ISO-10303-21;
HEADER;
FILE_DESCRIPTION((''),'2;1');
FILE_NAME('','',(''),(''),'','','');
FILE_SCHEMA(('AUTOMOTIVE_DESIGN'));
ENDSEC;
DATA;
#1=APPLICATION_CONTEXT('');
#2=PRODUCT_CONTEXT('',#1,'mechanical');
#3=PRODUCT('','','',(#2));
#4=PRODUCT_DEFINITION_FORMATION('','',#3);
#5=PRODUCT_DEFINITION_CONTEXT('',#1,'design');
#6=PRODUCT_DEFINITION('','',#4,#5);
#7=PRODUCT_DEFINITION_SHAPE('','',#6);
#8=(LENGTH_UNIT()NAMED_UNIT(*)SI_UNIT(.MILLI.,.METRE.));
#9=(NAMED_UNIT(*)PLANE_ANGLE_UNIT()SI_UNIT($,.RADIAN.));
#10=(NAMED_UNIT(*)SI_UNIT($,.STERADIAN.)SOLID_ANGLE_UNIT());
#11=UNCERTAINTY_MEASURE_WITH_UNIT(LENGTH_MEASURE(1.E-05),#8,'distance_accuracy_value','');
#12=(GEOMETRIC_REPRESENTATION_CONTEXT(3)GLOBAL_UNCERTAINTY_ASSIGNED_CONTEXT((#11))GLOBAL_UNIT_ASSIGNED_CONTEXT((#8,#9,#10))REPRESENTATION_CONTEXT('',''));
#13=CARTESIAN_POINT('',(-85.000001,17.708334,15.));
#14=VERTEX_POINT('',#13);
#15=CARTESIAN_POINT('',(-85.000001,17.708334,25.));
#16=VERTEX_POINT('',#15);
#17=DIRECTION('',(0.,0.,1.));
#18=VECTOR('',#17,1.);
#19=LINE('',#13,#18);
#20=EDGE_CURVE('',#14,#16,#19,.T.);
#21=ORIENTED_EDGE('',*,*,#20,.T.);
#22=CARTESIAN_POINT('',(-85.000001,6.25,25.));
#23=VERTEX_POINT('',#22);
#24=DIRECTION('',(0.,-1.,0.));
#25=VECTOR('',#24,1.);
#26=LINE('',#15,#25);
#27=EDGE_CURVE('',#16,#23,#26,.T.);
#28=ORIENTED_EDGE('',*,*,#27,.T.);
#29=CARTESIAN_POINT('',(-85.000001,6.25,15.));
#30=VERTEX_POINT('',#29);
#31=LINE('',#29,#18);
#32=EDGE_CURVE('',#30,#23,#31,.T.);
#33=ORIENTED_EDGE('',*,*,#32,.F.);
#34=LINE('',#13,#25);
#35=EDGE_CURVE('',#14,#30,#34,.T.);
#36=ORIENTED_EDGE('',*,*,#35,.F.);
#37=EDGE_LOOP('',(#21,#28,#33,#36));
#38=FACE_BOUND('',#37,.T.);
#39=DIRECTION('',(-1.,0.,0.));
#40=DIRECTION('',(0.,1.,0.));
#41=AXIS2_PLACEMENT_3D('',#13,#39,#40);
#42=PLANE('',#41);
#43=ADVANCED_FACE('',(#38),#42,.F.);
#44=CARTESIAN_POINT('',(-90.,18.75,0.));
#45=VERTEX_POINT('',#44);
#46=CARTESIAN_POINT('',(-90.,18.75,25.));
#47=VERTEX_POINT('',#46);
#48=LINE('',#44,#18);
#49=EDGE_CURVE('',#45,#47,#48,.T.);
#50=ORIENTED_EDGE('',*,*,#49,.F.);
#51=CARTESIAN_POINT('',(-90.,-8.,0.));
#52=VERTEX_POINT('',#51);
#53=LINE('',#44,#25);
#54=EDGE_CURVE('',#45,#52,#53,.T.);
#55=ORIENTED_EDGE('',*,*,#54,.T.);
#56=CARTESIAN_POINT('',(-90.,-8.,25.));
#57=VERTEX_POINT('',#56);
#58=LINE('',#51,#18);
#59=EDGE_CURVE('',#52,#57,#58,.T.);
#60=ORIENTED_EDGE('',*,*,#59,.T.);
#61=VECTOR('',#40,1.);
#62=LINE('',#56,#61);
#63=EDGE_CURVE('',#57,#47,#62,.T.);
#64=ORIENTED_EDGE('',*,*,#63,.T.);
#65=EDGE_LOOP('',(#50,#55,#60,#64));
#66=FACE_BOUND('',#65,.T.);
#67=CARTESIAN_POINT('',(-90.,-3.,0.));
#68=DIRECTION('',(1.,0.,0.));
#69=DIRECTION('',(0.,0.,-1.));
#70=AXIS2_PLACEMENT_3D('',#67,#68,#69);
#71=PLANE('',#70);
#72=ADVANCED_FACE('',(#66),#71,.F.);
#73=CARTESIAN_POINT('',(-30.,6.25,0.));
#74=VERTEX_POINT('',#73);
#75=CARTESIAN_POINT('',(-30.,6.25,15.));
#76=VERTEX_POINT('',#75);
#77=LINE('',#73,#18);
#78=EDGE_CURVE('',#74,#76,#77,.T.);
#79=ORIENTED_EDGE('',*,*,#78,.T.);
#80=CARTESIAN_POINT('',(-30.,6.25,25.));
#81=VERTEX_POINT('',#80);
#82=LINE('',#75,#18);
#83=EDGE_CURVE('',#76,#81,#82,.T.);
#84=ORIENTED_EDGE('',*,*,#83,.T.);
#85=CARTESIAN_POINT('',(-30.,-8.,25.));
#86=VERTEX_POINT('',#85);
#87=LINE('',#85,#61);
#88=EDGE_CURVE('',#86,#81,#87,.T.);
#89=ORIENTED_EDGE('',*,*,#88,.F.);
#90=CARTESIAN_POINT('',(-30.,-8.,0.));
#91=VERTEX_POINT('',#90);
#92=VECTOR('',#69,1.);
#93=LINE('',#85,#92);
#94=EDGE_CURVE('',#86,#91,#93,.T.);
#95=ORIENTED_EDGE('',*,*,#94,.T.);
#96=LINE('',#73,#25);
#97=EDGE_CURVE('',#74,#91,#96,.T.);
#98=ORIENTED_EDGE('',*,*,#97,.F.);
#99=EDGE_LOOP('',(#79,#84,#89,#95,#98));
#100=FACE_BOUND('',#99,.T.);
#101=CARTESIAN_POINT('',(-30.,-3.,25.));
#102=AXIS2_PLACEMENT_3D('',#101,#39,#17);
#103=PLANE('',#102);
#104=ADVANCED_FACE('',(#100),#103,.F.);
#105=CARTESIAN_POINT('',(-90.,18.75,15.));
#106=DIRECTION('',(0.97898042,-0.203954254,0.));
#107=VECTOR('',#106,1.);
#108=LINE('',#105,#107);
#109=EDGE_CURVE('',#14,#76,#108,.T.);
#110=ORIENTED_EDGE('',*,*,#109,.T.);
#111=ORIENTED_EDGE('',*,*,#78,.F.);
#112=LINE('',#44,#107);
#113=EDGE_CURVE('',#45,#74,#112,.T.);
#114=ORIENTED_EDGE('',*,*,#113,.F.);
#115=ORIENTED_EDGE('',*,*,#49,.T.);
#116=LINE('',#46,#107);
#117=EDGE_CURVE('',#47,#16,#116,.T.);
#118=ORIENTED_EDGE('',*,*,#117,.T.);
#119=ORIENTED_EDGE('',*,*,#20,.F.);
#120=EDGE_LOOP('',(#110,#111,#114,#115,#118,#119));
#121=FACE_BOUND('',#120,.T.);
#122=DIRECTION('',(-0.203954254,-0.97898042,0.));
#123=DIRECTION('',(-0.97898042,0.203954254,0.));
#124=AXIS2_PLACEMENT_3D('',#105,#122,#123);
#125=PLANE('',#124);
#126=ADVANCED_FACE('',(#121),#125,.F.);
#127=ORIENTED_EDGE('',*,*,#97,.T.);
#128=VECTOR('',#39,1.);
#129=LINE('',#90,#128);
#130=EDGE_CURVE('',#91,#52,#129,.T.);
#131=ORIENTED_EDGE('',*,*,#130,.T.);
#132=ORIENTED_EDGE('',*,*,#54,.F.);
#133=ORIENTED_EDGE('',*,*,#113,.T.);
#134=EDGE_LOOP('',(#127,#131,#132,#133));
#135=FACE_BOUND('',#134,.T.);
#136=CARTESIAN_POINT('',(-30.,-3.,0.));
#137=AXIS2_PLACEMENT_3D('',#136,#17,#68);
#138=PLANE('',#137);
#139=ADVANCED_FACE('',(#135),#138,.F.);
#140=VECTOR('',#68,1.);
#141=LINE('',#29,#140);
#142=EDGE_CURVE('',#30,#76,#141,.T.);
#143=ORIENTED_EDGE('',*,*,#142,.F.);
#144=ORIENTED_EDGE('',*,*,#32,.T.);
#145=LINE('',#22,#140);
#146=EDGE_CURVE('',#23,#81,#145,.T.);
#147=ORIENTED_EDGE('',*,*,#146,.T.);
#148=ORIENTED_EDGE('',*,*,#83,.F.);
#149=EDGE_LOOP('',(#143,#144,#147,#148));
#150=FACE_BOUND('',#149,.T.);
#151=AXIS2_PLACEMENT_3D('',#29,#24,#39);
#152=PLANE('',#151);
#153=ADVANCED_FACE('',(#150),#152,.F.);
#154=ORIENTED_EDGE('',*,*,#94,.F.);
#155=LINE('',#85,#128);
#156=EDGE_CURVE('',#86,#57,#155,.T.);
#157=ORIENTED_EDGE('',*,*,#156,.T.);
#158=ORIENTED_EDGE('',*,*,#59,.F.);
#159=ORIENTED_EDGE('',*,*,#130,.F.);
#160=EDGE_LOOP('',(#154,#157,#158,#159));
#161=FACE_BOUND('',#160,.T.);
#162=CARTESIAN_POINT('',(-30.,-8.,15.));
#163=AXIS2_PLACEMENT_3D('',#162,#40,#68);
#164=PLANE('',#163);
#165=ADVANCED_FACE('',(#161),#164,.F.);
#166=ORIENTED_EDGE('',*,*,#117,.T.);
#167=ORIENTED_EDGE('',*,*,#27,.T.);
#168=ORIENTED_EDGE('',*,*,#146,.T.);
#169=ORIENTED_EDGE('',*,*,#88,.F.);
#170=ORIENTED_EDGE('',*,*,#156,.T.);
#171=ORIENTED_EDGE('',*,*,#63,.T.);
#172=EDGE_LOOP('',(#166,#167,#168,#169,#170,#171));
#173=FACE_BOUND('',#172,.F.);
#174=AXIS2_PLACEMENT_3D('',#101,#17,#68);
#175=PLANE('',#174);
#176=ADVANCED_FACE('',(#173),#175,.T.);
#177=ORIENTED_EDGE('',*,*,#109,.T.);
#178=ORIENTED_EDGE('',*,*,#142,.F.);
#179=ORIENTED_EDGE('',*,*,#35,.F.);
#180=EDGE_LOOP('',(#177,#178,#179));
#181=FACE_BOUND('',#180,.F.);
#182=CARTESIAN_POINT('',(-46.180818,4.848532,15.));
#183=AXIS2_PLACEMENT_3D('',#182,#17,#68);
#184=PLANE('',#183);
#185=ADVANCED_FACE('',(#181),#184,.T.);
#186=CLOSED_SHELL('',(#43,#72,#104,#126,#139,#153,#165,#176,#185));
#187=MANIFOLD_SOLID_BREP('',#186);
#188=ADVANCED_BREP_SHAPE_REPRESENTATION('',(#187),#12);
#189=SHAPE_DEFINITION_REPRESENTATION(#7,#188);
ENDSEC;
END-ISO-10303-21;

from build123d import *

# Parameters (mm, degrees)
F1_DEPTH = 15
F3_DEPTH = 10
F4_DEPTH = 3
F5_DEPTH = 5


with BuildPart() as f1:
    # F0 (on Top) → F1 (new body)
    with BuildSketch(Plane.XY):
        Polygon((30, 6.25), (30, 0), (60, 0), (60, 12.5), align=None)
        Polygon((60, 12.5), (60, 0), (90, 0), (90, 18.75), align=None)
    extrude(amount=F1_DEPTH)

    # F2 (on face) → F3 (join)
    with BuildSketch(Plane.XY.offset(15)):
        Polygon((30, 0), (90, 0), (90, 18.75), (85.0000008941, 17.7083335196), (85.0000008941, 6.25), (30, 6.25), align=None)
    extrude(amount=F3_DEPTH)

    # F4 (add): a face of the model
    f4_faces = [f1.faces().sort_by_distance(p)[0] for p in [
        (60, 0, 12.5),
    ]]
    extrude(f4_faces, amount=F4_DEPTH)

    # F5 (add): a face of the model
    f5_faces = [f1.faces().sort_by_distance(p)[0] for p in [
        (60, -3, 12.5),
    ]]
    extrude(f5_faces, amount=F5_DEPTH)


with BuildPart() as f6_1:
    # F6: instance of F1
    add(f1.part.mirror(Plane.YZ))


solid = f6_1.part
